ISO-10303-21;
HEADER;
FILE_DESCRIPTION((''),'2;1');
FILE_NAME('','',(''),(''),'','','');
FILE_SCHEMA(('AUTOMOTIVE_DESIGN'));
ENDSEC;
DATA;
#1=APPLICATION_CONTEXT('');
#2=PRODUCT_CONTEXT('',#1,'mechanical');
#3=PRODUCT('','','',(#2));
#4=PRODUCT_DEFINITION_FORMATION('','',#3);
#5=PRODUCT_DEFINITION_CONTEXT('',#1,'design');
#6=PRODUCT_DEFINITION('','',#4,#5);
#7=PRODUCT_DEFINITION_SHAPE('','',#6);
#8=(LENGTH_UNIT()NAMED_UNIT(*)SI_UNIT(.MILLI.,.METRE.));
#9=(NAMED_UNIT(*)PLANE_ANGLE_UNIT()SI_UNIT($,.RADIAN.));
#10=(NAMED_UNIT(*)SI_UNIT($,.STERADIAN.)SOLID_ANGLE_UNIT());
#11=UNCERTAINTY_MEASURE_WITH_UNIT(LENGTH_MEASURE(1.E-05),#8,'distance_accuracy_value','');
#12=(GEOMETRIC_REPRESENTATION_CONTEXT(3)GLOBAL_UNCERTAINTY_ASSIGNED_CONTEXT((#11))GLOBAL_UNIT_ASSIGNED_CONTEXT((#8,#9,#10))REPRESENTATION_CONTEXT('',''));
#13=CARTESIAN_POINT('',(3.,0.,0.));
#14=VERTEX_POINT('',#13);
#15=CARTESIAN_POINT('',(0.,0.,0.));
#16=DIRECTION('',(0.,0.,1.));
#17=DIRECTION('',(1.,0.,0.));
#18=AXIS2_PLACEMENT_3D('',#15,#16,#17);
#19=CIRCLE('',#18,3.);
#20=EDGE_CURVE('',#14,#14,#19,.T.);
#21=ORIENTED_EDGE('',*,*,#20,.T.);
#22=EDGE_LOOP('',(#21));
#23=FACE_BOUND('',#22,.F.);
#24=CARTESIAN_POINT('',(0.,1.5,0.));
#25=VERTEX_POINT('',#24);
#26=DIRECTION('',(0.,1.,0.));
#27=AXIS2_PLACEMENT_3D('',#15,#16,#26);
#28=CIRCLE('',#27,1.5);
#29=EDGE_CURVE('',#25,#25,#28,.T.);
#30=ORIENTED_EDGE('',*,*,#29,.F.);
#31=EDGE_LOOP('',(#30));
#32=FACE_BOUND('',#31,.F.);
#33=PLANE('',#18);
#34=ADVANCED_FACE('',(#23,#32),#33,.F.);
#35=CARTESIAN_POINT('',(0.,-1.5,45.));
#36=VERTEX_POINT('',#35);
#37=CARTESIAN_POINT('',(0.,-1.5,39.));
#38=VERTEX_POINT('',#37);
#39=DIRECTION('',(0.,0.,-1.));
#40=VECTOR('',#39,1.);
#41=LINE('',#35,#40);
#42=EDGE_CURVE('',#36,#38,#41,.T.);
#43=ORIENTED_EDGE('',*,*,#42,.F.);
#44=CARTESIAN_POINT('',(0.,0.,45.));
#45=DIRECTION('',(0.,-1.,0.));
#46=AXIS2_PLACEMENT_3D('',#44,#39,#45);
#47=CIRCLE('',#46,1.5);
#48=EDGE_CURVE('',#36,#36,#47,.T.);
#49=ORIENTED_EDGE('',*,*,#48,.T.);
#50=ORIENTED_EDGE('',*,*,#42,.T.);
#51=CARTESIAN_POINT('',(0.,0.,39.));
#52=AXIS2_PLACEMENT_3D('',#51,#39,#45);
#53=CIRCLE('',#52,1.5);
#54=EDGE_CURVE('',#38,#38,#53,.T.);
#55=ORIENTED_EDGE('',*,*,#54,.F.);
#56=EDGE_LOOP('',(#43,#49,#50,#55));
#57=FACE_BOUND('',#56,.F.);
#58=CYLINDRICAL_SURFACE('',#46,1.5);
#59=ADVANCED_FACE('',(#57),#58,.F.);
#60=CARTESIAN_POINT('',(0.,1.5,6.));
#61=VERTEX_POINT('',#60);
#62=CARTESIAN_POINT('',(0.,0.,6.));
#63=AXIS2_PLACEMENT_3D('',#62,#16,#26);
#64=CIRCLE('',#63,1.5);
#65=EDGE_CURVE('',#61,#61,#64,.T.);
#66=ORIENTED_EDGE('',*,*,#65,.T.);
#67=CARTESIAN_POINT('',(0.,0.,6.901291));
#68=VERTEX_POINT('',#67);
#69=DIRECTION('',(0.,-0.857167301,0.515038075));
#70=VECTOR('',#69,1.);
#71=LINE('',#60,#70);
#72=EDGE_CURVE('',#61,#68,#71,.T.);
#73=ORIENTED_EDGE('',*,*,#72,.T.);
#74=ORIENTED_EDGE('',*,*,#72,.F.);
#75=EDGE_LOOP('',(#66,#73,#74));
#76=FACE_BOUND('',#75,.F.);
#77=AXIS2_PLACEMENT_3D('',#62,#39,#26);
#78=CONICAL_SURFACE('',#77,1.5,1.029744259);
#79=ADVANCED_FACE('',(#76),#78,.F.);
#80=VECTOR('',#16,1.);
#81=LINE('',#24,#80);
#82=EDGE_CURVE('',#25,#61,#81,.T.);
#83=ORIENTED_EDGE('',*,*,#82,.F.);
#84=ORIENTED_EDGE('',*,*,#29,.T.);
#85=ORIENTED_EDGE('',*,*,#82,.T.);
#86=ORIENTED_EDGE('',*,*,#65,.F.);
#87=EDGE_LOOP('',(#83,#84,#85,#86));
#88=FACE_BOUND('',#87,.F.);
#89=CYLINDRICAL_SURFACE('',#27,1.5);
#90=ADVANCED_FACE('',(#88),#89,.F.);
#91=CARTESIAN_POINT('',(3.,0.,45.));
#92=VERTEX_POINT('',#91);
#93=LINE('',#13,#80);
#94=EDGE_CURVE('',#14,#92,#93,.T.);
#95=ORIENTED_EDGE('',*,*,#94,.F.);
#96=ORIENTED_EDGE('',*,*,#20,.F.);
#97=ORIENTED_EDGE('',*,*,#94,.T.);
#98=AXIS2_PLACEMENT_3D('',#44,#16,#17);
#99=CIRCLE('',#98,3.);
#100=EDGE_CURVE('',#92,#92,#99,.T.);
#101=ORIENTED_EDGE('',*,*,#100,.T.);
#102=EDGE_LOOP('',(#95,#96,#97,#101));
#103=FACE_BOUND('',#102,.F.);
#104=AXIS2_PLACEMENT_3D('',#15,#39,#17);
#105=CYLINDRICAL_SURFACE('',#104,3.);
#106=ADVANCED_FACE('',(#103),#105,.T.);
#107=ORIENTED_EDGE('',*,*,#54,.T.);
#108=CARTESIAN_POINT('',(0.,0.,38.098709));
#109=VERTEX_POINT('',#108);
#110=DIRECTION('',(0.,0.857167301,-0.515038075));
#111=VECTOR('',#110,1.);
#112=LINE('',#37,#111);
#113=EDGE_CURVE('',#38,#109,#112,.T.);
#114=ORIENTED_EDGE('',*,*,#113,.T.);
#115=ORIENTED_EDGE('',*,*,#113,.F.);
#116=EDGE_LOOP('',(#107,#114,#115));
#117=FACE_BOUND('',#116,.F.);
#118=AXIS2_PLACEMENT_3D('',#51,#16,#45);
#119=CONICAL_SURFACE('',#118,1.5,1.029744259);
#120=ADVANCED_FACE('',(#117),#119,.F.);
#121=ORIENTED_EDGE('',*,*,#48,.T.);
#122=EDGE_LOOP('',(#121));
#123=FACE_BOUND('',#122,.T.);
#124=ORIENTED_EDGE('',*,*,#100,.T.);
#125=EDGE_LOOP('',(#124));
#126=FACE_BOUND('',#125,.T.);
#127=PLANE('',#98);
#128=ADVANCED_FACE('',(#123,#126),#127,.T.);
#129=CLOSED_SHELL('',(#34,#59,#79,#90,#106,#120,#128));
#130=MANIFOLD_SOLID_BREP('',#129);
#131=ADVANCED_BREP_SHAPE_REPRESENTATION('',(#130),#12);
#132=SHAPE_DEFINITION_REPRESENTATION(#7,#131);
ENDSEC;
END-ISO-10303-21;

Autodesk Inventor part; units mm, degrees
ref_plane "YZ Plane" through (0, 0, 0) normal (1, 0, 0) x (0, 1, 0)
ref_plane "XZ Plane" through (0, 0, 0) normal (0, 1, 0) x (-1, 0, 0)
ref_plane "XY Plane" through (0, 0, 0) normal (0, 0, 1) x (1, 0, 0)
sketch "スケッチ1" plane through (0, 0, 0) normal (0, 0, 1) x (1, 0, 0)
  circle A0 centre (0, 0) radius 3
  dimension "d0" = 6
extrude "押し出し1" add sketch "スケッチ1" along normal blind 45
hole "穴1" at (0, 0, 0) direction (0, 0, 1) diameter 3 depth 6 tip angle 118
sketch "スケッチ2" plane through (0, 0, 45) normal (0, 0, 1) x (1, 0, 0)
  circle A0 centre (0, 0) radius 3 projected
hole "穴2" at (0, 0, 45) direction (0, 0, -1) diameter 3 depth 6 tip angle 118
properties part number "スペーサ　m3-l45" material "アルミニウム 2014-T4"
